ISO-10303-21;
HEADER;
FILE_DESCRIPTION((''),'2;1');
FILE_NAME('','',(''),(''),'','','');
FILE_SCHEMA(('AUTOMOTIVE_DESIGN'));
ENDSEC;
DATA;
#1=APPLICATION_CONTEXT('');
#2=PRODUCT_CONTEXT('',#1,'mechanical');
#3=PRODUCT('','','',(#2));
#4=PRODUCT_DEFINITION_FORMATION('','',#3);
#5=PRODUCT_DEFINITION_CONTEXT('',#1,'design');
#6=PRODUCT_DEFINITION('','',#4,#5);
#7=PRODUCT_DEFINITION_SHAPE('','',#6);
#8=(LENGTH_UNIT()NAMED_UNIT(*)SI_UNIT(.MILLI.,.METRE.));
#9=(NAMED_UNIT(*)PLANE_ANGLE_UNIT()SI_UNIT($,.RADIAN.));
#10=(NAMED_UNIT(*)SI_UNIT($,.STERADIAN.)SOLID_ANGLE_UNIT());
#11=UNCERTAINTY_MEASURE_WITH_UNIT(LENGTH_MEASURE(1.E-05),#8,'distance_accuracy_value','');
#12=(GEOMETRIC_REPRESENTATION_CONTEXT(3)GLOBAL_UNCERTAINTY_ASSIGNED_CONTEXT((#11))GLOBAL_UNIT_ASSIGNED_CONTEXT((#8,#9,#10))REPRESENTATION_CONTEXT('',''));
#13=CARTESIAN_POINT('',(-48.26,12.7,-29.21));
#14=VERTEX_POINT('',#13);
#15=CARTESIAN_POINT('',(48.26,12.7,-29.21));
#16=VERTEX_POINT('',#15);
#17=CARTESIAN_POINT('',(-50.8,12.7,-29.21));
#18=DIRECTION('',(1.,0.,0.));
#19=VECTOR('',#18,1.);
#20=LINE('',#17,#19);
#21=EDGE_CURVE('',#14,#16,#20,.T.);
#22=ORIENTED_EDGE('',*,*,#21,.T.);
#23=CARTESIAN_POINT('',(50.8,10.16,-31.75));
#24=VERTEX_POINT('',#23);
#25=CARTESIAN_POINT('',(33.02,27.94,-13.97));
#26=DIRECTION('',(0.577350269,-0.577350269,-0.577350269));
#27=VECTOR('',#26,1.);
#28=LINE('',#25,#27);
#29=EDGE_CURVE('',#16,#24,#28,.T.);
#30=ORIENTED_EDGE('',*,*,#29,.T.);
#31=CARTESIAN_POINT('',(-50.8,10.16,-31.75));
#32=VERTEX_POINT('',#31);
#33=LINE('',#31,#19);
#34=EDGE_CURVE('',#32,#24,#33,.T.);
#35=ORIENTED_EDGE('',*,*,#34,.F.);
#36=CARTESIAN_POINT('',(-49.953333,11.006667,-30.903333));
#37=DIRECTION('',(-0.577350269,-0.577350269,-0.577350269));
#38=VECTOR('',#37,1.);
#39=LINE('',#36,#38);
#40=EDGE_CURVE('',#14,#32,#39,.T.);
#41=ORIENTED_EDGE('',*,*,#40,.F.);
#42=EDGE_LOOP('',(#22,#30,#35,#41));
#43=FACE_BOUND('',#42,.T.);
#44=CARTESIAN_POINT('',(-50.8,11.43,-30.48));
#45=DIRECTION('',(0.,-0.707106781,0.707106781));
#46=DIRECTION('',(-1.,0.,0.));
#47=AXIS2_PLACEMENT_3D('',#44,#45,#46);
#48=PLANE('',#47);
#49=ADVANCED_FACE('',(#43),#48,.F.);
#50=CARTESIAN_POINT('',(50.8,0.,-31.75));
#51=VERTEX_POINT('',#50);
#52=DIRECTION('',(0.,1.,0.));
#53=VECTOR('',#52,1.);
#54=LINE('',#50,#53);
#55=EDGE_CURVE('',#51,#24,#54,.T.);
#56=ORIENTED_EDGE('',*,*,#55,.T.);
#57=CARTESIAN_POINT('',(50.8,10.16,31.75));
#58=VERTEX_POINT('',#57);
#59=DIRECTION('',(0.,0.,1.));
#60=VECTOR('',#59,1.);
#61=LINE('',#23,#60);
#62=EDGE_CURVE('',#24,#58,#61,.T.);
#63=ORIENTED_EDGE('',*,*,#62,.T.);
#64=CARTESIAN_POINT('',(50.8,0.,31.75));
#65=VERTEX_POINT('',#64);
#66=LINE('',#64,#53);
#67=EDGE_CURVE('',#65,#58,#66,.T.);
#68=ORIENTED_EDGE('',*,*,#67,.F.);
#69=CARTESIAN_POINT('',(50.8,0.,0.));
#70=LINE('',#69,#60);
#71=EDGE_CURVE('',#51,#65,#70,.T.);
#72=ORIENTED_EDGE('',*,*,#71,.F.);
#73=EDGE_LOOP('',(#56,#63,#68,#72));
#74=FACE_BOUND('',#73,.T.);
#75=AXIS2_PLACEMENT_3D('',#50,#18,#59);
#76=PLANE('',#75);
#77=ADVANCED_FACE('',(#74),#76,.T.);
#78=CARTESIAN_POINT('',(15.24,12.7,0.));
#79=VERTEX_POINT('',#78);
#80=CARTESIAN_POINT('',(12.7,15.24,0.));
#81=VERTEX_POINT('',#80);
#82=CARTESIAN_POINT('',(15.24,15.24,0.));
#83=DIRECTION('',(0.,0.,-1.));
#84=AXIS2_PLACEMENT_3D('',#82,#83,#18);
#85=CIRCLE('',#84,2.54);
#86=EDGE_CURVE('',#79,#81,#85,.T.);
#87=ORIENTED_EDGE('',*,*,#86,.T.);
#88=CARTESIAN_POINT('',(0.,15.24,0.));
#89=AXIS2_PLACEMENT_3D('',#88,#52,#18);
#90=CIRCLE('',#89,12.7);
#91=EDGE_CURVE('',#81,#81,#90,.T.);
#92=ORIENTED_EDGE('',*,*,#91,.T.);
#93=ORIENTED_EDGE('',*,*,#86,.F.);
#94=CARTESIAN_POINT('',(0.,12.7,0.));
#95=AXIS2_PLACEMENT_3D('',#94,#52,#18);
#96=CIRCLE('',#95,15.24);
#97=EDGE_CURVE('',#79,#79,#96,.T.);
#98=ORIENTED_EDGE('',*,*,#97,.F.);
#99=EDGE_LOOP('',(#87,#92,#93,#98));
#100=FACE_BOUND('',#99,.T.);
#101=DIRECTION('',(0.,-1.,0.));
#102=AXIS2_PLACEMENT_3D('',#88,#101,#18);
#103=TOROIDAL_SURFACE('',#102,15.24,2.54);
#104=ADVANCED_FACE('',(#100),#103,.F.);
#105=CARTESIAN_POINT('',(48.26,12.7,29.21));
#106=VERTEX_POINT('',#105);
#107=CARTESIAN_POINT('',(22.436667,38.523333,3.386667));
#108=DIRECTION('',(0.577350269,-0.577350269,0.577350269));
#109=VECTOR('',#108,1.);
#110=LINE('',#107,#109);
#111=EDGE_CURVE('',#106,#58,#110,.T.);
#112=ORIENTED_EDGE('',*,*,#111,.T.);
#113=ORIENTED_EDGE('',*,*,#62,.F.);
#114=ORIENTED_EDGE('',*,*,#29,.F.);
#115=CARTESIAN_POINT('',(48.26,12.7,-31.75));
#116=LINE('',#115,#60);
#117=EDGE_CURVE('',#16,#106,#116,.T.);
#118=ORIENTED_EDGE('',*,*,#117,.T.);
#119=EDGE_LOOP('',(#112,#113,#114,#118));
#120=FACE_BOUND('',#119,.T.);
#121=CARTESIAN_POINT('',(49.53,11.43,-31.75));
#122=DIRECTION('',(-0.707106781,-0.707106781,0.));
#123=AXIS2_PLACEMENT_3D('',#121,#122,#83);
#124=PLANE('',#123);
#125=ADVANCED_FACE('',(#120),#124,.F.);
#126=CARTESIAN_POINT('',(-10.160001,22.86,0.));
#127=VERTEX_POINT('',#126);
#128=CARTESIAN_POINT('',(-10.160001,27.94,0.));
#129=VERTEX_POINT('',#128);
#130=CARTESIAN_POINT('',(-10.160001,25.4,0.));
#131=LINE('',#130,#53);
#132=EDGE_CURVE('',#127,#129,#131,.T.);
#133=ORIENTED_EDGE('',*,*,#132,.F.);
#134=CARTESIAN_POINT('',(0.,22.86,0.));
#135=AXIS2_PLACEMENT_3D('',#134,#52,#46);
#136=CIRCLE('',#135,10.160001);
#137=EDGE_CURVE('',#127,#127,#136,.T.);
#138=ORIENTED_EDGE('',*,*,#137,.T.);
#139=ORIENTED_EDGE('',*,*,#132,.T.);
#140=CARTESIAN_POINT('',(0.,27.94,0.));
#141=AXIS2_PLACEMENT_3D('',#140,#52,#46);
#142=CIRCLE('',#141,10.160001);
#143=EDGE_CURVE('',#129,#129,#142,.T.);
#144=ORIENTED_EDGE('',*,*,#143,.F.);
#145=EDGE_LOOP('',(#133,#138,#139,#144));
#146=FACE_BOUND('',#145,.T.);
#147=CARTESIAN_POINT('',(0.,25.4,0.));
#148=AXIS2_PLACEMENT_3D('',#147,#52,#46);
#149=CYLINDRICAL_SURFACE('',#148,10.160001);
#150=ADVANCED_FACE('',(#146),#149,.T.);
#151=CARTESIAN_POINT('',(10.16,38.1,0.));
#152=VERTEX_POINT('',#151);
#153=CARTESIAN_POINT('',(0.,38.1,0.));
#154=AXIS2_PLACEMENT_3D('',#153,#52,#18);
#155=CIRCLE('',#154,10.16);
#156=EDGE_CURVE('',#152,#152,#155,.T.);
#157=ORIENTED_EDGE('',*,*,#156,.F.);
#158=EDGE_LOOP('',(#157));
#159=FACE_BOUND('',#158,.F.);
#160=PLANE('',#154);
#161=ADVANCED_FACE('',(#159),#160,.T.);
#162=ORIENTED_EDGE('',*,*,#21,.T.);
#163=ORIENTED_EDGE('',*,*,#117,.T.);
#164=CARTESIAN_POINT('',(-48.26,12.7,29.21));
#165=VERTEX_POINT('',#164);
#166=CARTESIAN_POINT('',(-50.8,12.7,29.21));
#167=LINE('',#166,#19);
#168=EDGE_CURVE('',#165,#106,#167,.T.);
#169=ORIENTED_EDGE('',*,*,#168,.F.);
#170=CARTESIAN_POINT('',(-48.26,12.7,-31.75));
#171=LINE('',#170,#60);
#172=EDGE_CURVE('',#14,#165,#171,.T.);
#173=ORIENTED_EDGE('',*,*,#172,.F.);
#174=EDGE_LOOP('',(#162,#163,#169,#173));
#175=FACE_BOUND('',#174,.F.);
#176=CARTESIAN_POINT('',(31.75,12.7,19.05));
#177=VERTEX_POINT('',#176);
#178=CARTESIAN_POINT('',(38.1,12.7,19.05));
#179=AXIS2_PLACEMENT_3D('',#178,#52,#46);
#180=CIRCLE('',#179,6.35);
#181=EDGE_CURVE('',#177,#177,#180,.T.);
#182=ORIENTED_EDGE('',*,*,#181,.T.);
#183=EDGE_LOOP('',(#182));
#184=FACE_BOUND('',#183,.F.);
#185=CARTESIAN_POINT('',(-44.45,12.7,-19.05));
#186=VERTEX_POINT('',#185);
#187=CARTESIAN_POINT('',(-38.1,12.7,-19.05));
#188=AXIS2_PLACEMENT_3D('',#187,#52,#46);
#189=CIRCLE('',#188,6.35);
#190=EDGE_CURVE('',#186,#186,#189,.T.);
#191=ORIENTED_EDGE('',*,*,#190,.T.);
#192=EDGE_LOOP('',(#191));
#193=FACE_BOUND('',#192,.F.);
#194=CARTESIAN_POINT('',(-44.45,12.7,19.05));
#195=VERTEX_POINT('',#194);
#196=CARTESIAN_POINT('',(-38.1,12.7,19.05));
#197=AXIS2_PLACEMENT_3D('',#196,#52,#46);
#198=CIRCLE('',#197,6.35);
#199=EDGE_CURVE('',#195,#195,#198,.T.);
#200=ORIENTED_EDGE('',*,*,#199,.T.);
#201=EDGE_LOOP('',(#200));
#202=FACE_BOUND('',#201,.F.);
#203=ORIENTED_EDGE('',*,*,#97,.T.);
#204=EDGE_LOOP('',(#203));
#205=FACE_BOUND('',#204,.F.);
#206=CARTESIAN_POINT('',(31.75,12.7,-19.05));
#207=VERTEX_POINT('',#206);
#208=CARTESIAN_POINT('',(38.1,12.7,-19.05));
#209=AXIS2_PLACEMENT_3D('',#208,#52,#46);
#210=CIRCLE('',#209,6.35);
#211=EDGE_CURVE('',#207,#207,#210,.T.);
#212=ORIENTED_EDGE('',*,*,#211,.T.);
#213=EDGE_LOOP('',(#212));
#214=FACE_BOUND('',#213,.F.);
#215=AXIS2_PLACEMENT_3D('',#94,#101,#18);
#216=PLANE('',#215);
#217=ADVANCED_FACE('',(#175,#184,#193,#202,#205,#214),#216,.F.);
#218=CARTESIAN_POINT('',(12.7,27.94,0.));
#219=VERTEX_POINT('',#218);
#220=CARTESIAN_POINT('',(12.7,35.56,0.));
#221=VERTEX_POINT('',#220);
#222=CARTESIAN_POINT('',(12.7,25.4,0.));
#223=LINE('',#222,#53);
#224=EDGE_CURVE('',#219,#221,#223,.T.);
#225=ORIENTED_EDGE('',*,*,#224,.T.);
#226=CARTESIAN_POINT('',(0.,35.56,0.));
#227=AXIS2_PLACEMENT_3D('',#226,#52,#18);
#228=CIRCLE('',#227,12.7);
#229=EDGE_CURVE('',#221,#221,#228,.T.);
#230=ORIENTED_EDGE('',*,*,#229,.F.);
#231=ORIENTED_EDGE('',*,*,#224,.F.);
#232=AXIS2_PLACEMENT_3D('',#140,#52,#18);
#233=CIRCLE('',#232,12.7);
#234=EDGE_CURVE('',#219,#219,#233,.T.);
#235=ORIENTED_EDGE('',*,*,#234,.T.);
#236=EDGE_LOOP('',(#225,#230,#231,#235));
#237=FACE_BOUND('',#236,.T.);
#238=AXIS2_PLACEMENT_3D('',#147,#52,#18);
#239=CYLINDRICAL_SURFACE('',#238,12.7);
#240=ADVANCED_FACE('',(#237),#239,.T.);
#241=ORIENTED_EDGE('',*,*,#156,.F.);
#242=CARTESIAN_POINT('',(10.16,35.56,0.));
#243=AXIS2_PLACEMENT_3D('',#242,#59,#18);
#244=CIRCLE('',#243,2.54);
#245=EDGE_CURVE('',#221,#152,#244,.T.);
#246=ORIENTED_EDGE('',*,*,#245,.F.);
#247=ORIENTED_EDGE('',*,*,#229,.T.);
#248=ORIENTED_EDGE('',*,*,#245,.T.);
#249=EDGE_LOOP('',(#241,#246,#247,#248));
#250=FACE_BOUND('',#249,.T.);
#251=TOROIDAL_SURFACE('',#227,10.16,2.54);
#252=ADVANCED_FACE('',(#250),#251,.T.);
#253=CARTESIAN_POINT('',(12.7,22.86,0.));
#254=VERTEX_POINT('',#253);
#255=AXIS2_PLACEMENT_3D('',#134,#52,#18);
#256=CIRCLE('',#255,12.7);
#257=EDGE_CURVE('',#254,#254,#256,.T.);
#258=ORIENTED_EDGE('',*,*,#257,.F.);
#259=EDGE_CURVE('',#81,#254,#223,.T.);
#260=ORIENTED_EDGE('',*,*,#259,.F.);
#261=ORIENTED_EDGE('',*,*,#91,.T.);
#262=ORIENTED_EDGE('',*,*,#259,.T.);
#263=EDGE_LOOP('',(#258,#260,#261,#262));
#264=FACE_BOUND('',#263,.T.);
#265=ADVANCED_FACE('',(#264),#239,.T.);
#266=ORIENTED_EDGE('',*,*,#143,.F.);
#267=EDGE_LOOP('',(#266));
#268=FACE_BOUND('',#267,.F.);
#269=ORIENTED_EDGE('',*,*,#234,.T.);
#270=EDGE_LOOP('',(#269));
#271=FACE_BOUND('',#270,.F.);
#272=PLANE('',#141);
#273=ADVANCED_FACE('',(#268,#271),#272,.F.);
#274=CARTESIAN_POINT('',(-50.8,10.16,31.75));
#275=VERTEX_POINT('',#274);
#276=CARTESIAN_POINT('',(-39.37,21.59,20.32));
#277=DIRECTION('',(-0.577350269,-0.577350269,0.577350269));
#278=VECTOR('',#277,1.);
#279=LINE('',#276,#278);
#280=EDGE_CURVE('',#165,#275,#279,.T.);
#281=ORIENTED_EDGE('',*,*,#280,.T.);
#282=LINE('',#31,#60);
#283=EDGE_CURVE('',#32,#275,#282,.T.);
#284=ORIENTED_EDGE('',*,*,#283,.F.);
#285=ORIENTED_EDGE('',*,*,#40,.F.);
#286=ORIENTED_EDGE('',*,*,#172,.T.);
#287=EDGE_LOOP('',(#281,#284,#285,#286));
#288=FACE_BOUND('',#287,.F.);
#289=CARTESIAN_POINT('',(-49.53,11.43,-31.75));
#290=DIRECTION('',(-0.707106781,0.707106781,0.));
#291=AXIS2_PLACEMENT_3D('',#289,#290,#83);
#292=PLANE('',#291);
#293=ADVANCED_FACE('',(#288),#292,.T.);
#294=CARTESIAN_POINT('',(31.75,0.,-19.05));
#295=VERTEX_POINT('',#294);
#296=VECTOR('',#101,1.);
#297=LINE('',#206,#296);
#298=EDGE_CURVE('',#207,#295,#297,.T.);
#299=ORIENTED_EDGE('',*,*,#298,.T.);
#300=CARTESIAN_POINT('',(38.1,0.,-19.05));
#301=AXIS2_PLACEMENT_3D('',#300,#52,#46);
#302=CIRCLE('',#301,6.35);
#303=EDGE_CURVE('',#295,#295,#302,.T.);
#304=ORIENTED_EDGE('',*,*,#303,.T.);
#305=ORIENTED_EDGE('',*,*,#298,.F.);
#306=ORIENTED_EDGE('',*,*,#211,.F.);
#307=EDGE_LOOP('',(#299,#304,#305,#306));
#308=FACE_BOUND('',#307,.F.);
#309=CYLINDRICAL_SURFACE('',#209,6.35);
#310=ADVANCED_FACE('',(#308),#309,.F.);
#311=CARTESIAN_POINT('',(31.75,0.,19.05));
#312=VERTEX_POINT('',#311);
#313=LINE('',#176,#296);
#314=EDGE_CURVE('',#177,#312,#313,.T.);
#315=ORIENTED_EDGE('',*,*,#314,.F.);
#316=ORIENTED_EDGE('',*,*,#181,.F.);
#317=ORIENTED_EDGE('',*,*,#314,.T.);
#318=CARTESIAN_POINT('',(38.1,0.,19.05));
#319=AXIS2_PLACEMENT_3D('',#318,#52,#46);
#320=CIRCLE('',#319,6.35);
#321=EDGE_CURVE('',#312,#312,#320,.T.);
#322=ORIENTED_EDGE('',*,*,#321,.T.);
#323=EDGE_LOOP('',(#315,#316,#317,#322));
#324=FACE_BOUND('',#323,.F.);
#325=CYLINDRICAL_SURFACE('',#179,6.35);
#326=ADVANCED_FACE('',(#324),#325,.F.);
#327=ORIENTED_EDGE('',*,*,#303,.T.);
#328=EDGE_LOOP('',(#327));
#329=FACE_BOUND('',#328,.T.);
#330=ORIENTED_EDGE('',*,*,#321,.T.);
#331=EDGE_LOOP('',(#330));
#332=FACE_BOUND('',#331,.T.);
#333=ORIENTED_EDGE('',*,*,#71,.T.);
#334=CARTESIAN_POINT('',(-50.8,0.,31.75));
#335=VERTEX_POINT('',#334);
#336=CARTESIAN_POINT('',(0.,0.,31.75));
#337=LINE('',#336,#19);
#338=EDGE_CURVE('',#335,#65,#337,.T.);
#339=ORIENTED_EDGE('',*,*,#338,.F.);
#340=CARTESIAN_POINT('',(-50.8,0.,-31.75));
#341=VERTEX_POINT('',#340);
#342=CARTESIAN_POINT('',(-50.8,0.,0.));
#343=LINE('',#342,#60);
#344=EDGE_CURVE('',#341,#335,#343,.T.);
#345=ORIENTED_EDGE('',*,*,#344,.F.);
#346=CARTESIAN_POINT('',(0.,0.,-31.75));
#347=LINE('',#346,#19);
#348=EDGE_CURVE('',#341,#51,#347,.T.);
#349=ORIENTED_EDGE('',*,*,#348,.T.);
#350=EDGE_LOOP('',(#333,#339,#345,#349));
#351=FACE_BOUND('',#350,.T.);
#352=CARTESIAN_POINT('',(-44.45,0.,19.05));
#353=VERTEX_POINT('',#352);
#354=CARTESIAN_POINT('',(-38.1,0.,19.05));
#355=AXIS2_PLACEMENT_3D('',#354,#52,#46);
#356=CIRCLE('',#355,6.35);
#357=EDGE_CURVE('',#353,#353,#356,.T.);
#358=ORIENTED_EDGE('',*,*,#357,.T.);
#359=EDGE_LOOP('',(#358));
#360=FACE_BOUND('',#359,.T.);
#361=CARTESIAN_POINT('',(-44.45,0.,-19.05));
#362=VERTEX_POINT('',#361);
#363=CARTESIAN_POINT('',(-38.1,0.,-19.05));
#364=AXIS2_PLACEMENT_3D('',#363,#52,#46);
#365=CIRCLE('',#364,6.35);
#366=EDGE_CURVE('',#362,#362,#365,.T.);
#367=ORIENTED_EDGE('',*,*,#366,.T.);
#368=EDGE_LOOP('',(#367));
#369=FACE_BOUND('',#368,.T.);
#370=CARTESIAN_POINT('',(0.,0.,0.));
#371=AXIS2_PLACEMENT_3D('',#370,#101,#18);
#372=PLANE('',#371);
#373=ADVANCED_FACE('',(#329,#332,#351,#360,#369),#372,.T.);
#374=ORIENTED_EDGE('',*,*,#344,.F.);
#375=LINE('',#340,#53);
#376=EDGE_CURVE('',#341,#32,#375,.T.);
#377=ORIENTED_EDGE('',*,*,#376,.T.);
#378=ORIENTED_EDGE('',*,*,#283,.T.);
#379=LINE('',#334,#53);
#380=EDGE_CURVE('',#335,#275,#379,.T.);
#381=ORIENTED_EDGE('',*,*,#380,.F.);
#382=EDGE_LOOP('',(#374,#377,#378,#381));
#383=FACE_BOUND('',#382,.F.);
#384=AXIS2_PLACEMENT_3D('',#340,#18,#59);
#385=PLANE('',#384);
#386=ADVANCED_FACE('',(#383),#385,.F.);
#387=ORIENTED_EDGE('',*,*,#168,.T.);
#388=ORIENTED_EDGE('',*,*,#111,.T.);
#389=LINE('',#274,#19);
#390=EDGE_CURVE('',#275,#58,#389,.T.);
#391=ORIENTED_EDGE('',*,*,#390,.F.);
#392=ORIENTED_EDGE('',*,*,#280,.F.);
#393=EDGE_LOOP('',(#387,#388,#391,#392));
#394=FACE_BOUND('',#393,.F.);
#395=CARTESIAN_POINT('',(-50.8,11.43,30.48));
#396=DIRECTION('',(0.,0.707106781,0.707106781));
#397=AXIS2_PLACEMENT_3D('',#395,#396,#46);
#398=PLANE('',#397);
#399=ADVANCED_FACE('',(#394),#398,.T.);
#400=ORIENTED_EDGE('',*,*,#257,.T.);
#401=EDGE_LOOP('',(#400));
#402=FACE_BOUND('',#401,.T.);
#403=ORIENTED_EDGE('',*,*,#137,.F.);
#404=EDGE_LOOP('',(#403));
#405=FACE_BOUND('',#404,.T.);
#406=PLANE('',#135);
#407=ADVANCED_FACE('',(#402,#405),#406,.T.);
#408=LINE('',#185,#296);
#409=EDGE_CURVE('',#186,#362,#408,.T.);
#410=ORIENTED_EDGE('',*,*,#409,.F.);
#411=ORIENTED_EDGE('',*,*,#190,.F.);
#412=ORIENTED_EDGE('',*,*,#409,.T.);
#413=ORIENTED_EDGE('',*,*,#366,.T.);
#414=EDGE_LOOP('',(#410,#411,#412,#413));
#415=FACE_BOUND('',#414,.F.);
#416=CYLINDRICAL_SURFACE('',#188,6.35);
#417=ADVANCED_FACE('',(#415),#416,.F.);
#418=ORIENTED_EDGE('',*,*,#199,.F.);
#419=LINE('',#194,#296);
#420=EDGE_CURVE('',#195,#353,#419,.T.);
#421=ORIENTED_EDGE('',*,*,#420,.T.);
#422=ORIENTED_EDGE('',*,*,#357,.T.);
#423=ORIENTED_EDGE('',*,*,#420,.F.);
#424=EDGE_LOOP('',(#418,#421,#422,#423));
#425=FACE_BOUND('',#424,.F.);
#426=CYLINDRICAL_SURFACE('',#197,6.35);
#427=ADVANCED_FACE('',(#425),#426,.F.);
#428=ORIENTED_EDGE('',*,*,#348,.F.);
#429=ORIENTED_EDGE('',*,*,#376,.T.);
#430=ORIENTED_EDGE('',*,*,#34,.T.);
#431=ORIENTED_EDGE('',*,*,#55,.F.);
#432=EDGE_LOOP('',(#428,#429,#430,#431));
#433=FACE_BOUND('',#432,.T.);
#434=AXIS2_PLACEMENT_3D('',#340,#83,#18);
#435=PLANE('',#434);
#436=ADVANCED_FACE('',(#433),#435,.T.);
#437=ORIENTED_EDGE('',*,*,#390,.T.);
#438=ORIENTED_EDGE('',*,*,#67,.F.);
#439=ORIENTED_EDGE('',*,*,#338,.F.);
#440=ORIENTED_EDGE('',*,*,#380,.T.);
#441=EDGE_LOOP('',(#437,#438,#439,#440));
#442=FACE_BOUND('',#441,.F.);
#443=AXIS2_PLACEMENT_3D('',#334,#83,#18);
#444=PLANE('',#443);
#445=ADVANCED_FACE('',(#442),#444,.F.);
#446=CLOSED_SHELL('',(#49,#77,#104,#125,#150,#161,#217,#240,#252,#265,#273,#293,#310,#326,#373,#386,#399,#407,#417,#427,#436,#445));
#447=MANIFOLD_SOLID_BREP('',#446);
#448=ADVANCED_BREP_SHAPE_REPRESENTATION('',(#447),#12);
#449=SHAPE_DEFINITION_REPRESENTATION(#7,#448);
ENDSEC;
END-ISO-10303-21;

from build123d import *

# Parameters (mm, degrees)
F0_W     = 101.6
F0_H     = 63.5
F1_DEPTH = 12.7
F2_R     = 6.35
F3_DEPTH = 12.701
F4_W     = 12.7
F4_H     = 25.4
F6_W     = 9.067975
F6_H     = 5.08
F8_R     = 2.54
F9_SIZE  = 2.54


with BuildPart() as f1:
    # F0 (on Front) → F1 (new body)
    with BuildSketch(Plane.XZ):
        Rectangle(F0_W, F0_H)
    extrude(amount=-F1_DEPTH)

    # F2 (on face) → F3 (cut, through all)
    with BuildSketch(Plane(origin=(0, 12.7, 0), x_dir=(-1, 0, 0), z_dir=(0, 1, 0))):
        with Locations((38.1, -19.05)):
            Circle(F2_R)
        with Locations((-38.1, -19.05)):
            Circle(F2_R)
        with Locations((38.1, 19.05)):
            Circle(F2_R)
        with Locations((-38.1, 19.05)):
            Circle(F2_R)
    extrude(amount=-F3_DEPTH, mode=Mode.SUBTRACT)

    # F4 (on Top) → F5 (revolve)
    with BuildSketch(Plane.XY):
        with Locations((6.35, 25.4)):
            Rectangle(F4_W, F4_H)
    revolve(axis=Axis((0, 25.4, 0), (0, 1, 0)))

    # F6 (on Top) → F7 (revolve, cut)
    with BuildSketch(Plane.XY):
        with Locations((-14.693988, 25.4)):
            Rectangle(F6_W, F6_H)
    revolve(axis=Axis((0, 12.7, 0), (0, 1, 0)), mode=Mode.SUBTRACT)

    # F8
    f8_edges = [f1.edges().sort_by_distance(p)[0] for p in [
        (-12.7, 12.7, 0),
        (-12.7, 38.1, 0),
    ]]
    fillet(f8_edges, radius=F8_R)

    # F9
    f9_edges = [f1.edges().sort_by_distance(p)[0] for p in [
        (0, 12.7, -31.75),
        (50.8, 12.7, 0),
        (0, 12.7, 31.75),
        (-50.8, 12.7, 0),
    ]]
    chamfer(f9_edges, length=F9_SIZE)


solid = f1.part
